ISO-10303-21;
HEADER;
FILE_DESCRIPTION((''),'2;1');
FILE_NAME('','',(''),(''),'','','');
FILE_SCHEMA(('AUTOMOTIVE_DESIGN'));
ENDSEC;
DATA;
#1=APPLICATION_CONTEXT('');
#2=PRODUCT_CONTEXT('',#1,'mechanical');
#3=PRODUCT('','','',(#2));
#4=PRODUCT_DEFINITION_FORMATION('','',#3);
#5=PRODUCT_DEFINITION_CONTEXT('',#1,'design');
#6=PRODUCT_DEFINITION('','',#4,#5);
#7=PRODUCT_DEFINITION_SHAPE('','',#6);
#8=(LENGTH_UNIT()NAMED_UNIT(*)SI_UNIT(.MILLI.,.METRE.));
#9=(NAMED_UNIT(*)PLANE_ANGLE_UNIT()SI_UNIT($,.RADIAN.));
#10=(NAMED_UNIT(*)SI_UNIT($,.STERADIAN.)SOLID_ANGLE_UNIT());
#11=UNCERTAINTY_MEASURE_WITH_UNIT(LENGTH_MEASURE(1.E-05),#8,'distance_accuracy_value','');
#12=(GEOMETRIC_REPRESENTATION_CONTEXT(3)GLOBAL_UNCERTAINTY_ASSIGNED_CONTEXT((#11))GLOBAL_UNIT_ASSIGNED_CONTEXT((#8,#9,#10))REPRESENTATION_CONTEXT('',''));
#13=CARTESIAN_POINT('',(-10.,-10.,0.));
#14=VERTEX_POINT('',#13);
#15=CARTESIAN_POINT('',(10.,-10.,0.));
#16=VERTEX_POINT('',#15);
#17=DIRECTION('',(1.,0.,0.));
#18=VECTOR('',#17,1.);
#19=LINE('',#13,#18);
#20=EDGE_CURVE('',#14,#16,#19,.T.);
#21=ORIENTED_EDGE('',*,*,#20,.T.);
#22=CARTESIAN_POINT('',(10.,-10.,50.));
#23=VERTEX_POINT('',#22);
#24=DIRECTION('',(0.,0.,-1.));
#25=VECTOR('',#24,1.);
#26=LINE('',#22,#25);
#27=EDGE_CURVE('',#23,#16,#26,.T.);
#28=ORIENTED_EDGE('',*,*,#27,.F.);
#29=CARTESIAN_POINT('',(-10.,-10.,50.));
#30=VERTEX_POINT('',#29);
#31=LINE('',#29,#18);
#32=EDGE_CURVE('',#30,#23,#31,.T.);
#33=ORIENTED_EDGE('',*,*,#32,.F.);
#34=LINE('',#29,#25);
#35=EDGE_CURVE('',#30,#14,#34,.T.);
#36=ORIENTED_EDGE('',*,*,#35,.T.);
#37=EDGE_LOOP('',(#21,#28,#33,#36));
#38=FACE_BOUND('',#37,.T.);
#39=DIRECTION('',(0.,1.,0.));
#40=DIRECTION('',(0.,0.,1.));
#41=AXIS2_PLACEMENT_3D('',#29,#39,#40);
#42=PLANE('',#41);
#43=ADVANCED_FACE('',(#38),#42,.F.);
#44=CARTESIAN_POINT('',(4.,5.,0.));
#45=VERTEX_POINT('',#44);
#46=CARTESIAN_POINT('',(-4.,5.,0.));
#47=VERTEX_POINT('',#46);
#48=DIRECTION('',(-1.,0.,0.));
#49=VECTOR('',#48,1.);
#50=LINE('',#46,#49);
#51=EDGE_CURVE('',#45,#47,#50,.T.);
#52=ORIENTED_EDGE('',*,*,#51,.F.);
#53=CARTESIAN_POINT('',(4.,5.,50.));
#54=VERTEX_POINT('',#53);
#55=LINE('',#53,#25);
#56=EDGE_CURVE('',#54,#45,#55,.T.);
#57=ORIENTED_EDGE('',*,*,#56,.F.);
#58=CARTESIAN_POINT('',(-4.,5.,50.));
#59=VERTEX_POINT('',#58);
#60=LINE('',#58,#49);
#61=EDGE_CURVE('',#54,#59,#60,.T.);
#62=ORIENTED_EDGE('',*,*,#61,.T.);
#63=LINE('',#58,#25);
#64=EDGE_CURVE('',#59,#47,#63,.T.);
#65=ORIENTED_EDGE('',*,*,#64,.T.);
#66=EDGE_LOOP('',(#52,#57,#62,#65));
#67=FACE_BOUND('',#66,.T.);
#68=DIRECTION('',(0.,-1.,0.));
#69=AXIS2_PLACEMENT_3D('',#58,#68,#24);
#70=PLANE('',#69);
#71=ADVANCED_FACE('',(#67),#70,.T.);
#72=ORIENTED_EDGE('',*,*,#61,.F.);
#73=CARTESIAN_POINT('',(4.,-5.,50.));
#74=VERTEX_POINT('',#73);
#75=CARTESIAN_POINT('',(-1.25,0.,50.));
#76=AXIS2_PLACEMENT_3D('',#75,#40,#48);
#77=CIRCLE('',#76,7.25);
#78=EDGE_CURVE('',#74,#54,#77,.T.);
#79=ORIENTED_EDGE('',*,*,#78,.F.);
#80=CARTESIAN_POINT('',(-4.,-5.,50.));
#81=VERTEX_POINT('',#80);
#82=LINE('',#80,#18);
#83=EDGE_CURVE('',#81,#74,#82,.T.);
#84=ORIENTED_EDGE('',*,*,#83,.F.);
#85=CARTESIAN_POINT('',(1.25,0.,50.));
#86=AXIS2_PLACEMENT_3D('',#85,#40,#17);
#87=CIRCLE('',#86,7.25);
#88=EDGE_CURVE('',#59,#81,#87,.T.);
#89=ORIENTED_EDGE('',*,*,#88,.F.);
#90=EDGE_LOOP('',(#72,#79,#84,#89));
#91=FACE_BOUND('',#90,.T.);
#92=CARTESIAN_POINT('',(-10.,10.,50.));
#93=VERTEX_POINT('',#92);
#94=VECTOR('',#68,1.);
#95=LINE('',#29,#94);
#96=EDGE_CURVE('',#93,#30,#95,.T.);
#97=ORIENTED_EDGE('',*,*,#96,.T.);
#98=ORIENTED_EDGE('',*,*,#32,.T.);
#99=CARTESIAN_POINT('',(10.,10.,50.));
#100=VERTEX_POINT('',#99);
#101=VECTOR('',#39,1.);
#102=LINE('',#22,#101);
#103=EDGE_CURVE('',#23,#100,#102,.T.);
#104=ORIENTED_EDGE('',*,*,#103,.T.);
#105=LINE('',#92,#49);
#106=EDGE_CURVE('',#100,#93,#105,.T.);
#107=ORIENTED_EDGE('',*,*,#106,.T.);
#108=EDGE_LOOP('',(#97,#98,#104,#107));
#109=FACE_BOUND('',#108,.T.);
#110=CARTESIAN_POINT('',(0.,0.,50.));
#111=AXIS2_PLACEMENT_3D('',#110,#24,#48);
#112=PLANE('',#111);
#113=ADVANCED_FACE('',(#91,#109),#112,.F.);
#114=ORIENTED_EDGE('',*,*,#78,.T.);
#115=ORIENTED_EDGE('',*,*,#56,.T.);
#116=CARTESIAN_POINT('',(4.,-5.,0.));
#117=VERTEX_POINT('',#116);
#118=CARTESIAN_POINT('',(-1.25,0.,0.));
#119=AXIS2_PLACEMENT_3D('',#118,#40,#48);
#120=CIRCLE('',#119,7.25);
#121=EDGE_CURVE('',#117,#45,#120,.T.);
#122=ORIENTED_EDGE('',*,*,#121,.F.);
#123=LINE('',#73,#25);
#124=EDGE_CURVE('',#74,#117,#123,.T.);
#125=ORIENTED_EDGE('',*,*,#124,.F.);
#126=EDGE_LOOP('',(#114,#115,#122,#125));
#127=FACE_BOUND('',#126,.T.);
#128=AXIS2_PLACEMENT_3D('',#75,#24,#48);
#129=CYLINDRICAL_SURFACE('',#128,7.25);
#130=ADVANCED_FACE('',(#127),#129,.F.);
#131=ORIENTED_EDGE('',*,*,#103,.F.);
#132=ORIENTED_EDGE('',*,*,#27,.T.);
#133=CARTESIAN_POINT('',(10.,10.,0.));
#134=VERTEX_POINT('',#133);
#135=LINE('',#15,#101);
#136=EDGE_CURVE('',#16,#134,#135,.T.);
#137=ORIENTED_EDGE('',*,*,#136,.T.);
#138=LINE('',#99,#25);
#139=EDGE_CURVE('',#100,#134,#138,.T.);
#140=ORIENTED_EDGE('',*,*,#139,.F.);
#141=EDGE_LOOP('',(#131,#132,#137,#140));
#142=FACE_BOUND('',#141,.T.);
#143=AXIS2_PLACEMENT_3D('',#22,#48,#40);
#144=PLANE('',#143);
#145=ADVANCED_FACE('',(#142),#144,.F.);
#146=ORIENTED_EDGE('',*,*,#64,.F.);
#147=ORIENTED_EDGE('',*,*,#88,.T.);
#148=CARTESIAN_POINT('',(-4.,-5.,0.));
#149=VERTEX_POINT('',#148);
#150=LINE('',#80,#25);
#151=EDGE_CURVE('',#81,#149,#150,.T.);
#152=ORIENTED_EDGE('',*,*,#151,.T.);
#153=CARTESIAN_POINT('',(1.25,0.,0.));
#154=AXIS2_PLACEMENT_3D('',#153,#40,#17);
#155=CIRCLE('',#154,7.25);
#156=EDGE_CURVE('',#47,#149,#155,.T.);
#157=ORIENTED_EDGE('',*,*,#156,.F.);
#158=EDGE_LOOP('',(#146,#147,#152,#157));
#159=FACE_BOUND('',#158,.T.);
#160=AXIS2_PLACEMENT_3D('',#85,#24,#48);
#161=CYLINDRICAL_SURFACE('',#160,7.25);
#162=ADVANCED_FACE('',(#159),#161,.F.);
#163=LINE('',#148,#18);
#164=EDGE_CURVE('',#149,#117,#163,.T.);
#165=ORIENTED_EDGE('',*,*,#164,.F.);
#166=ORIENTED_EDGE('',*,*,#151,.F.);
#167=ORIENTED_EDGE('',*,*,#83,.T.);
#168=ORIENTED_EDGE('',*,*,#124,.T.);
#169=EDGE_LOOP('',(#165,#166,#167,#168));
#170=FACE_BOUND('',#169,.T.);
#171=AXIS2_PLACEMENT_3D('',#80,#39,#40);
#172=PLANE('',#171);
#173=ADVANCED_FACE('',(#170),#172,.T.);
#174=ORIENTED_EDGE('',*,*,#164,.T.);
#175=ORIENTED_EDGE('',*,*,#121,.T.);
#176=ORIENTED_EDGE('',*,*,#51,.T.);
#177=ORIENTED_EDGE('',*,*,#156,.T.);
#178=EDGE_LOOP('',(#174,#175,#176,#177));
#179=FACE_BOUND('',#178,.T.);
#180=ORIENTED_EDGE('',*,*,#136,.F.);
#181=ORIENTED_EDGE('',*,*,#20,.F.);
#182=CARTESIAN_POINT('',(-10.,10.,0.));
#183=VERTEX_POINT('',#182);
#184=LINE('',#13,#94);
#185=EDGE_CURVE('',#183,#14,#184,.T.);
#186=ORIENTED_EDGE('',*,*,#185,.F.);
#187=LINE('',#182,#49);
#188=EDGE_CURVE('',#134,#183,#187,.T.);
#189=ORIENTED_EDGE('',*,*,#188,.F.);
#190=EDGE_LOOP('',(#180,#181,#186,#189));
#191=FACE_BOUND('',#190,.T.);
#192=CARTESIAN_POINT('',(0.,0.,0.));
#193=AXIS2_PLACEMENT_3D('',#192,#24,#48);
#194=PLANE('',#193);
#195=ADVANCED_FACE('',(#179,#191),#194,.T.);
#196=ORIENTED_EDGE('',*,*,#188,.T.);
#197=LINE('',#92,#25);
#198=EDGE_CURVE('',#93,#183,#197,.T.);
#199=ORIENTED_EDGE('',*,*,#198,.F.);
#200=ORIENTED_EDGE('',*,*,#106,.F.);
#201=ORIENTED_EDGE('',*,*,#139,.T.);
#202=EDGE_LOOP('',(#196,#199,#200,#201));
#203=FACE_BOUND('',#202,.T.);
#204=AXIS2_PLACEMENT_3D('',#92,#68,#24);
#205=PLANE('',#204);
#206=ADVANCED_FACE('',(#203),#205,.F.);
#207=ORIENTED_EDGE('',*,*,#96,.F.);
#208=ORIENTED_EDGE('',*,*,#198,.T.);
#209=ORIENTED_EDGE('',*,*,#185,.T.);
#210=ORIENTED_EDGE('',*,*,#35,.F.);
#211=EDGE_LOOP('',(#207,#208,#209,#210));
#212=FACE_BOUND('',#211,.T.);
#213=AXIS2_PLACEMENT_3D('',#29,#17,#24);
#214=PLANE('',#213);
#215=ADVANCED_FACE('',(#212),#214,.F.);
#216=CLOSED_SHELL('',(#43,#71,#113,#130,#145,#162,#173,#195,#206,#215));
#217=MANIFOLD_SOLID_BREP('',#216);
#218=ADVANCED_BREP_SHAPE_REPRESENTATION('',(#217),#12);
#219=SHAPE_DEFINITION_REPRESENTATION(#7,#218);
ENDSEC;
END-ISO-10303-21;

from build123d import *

# Parameters (mm, degrees)
SKETCH_1_W          = 20
SKETCH_1_H          = 20
EXTRUDE_1_DEPTH     = 50
CUT_EXTRUDE_1_DEPTH = 50


with BuildPart() as part:
    # 草圖1 → 填料-伸長1 (new body)
    with BuildSketch(Plane.XY):
        Rectangle(SKETCH_1_W, SKETCH_1_H)
    extrude(amount=EXTRUDE_1_DEPTH)

    # 草圖2 → 除料-伸長1 (cut)
    with BuildSketch(Plane.XY):
        with BuildLine():
            Line((-4, 5), (4, 5))
            ThreePointArc((4, 5), (6, 0), (4, -5))
            Line((4, -5), (-4, -5))
            ThreePointArc((-4, -5), (-6, 0), (-4, 5))
        make_face()
    extrude(amount=CUT_EXTRUDE_1_DEPTH, mode=Mode.SUBTRACT)


solid = part.part
